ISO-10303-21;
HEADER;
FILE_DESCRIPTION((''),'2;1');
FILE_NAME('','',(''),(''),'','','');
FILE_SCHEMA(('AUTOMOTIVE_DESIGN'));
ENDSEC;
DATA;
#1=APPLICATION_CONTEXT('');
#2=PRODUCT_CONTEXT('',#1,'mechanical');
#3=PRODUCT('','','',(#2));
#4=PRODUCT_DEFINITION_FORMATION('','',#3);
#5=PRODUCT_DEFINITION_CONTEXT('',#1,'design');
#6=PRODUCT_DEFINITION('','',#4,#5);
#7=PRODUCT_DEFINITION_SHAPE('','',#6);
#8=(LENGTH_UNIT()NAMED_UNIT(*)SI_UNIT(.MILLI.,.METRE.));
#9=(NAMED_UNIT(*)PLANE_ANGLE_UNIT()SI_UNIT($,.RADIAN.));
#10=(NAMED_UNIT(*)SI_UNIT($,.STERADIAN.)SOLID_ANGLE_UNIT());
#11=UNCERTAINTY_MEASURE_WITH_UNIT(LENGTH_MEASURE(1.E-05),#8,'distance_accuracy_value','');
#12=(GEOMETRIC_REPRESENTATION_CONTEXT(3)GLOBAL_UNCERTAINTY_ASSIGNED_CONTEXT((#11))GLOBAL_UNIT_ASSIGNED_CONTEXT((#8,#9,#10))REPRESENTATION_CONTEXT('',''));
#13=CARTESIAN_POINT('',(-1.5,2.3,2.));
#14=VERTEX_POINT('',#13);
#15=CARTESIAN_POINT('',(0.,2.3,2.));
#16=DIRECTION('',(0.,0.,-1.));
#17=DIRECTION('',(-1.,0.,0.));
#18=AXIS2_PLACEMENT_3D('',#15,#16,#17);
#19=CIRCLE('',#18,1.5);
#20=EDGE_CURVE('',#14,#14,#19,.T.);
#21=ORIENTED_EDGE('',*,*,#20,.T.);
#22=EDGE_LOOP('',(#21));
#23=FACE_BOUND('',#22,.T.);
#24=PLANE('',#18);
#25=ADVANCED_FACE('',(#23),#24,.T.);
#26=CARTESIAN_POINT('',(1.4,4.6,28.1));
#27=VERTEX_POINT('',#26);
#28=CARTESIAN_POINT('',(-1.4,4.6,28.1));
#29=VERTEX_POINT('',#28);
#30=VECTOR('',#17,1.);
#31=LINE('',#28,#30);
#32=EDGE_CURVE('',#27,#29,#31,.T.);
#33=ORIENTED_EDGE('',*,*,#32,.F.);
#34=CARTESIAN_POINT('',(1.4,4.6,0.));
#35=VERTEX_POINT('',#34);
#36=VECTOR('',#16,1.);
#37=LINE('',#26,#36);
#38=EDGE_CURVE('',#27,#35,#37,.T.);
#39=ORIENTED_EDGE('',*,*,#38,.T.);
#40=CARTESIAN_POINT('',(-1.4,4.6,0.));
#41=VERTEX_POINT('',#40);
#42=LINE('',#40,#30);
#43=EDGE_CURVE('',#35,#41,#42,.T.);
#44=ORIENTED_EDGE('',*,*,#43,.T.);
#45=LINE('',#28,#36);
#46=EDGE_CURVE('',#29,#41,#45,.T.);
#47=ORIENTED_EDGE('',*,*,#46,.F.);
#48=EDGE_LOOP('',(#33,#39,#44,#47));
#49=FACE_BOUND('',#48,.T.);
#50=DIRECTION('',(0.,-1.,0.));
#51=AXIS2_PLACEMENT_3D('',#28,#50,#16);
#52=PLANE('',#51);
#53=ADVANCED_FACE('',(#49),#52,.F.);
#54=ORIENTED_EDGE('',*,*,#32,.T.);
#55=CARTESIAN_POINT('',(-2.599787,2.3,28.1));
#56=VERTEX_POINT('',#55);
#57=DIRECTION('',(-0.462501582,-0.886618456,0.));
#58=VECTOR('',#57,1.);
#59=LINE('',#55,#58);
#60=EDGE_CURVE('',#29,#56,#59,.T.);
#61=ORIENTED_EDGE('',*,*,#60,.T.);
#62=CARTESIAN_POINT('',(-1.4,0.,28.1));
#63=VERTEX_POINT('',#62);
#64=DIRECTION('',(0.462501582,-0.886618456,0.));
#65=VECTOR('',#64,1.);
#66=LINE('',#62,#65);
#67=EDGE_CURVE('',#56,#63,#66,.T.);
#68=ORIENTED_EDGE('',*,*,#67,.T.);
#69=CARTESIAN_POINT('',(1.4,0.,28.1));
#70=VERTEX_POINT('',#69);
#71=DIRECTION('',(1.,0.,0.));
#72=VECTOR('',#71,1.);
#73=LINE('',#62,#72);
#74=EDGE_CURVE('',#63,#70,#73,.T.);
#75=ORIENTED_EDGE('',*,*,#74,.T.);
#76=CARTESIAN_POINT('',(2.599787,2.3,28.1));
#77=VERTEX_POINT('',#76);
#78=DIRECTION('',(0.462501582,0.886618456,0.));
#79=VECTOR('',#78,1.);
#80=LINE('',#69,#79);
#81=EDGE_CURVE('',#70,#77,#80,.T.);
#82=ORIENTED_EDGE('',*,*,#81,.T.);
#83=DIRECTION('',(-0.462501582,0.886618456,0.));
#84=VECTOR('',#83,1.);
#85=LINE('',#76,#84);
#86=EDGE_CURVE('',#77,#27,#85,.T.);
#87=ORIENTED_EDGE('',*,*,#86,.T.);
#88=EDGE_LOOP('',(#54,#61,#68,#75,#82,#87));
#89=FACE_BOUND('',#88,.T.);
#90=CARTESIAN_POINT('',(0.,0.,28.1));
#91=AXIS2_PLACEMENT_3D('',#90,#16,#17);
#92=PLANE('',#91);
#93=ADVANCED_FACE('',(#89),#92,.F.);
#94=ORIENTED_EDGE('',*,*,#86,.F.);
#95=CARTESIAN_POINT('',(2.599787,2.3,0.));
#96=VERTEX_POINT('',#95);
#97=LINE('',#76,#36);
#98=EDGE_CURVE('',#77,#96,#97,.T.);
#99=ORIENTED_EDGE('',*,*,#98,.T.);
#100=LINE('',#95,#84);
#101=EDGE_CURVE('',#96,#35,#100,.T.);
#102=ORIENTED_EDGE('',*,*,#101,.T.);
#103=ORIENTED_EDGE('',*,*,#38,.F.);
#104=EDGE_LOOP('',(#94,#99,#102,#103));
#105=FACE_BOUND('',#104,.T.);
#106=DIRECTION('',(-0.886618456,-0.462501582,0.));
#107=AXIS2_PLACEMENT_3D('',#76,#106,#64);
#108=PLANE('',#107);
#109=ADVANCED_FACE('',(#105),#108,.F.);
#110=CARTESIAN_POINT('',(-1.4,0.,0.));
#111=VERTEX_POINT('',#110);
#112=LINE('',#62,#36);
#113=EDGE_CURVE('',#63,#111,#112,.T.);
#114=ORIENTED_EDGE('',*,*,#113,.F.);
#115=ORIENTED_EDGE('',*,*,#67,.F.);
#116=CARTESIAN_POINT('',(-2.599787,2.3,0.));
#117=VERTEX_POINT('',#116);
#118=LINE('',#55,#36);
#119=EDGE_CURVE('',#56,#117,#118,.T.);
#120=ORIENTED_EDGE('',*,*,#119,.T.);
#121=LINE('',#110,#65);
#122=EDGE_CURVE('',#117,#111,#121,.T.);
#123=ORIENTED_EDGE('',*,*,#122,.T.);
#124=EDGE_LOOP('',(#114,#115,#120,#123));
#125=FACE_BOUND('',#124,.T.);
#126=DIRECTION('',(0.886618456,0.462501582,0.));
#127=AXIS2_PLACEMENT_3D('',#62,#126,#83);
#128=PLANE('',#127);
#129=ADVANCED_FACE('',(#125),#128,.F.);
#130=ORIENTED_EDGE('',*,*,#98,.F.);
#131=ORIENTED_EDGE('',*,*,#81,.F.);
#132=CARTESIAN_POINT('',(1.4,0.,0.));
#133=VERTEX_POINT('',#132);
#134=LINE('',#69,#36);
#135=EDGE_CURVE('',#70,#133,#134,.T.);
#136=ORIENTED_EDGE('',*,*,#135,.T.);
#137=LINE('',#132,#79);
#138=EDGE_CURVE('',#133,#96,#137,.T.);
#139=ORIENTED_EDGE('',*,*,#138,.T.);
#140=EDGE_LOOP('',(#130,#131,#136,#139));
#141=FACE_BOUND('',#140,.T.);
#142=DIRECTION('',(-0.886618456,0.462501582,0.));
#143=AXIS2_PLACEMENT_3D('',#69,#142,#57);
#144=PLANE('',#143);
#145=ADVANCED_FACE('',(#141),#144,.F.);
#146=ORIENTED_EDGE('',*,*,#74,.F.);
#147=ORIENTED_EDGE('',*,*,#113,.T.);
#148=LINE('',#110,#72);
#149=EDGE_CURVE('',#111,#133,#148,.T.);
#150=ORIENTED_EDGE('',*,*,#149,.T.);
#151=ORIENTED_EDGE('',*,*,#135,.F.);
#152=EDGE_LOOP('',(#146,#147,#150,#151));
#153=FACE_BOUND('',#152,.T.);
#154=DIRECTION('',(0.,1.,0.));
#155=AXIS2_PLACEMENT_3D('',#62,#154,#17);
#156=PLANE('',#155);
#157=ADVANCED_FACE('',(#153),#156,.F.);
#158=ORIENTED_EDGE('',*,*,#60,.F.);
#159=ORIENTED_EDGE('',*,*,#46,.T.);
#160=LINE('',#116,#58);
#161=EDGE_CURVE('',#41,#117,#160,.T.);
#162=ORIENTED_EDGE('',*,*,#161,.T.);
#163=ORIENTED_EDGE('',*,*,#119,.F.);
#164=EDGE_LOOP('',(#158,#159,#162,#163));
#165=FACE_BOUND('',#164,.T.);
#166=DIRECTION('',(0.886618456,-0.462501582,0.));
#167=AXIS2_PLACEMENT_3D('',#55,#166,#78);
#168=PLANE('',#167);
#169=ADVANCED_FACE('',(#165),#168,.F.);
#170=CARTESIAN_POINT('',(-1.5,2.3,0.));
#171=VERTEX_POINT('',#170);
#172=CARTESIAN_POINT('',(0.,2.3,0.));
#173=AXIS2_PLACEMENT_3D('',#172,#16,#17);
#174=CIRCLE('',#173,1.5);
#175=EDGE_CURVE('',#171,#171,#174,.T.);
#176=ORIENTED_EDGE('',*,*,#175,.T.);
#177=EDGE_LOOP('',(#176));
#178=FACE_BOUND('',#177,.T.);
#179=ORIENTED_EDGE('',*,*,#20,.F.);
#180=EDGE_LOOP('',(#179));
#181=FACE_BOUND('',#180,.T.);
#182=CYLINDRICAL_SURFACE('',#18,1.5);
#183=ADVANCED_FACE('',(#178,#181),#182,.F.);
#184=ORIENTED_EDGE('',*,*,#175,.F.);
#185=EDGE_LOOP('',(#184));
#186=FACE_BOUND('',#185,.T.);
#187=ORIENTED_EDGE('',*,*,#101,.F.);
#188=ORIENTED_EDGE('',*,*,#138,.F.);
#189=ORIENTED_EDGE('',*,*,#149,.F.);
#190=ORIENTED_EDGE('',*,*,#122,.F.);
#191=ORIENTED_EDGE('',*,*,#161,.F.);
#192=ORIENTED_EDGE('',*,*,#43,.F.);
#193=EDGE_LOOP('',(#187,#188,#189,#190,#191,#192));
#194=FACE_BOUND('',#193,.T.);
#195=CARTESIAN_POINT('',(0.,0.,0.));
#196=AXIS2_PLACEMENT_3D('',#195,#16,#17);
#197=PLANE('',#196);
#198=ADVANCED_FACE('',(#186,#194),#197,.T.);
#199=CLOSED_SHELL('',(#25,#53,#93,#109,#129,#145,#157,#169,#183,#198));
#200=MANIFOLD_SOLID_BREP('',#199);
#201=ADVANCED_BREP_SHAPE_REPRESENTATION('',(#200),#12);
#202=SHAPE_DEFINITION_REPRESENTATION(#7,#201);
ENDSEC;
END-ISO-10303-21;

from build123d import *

# Parameters (mm, degrees)
BOSS_EXTRUDE1_DEPTH = 28.1
SKETCH2_R           = 1.5
CUT_EXTRUDE1_DEPTH  = 2


with BuildPart() as part:
    # Sketch1 → Boss-Extrude1 (new body)
    with BuildSketch(Plane.XY):
        Polygon((-1.4, 4.6), (1.4, 4.6), (2.599787383, 2.3), (1.4, 0), (-1.4, 0), (-2.599787383, 2.3), align=None)
    extrude(amount=BOSS_EXTRUDE1_DEPTH)

    # Sketch2 → Cut-Extrude1 (cut)
    with BuildSketch(Plane(origin=(0, 0, 0), x_dir=(-1, 0, 0), z_dir=(0, 0, -1))):
        with Locations((0, 2.3)):
            Circle(SKETCH2_R)
    extrude(amount=-CUT_EXTRUDE1_DEPTH, mode=Mode.SUBTRACT)


solid = part.part
